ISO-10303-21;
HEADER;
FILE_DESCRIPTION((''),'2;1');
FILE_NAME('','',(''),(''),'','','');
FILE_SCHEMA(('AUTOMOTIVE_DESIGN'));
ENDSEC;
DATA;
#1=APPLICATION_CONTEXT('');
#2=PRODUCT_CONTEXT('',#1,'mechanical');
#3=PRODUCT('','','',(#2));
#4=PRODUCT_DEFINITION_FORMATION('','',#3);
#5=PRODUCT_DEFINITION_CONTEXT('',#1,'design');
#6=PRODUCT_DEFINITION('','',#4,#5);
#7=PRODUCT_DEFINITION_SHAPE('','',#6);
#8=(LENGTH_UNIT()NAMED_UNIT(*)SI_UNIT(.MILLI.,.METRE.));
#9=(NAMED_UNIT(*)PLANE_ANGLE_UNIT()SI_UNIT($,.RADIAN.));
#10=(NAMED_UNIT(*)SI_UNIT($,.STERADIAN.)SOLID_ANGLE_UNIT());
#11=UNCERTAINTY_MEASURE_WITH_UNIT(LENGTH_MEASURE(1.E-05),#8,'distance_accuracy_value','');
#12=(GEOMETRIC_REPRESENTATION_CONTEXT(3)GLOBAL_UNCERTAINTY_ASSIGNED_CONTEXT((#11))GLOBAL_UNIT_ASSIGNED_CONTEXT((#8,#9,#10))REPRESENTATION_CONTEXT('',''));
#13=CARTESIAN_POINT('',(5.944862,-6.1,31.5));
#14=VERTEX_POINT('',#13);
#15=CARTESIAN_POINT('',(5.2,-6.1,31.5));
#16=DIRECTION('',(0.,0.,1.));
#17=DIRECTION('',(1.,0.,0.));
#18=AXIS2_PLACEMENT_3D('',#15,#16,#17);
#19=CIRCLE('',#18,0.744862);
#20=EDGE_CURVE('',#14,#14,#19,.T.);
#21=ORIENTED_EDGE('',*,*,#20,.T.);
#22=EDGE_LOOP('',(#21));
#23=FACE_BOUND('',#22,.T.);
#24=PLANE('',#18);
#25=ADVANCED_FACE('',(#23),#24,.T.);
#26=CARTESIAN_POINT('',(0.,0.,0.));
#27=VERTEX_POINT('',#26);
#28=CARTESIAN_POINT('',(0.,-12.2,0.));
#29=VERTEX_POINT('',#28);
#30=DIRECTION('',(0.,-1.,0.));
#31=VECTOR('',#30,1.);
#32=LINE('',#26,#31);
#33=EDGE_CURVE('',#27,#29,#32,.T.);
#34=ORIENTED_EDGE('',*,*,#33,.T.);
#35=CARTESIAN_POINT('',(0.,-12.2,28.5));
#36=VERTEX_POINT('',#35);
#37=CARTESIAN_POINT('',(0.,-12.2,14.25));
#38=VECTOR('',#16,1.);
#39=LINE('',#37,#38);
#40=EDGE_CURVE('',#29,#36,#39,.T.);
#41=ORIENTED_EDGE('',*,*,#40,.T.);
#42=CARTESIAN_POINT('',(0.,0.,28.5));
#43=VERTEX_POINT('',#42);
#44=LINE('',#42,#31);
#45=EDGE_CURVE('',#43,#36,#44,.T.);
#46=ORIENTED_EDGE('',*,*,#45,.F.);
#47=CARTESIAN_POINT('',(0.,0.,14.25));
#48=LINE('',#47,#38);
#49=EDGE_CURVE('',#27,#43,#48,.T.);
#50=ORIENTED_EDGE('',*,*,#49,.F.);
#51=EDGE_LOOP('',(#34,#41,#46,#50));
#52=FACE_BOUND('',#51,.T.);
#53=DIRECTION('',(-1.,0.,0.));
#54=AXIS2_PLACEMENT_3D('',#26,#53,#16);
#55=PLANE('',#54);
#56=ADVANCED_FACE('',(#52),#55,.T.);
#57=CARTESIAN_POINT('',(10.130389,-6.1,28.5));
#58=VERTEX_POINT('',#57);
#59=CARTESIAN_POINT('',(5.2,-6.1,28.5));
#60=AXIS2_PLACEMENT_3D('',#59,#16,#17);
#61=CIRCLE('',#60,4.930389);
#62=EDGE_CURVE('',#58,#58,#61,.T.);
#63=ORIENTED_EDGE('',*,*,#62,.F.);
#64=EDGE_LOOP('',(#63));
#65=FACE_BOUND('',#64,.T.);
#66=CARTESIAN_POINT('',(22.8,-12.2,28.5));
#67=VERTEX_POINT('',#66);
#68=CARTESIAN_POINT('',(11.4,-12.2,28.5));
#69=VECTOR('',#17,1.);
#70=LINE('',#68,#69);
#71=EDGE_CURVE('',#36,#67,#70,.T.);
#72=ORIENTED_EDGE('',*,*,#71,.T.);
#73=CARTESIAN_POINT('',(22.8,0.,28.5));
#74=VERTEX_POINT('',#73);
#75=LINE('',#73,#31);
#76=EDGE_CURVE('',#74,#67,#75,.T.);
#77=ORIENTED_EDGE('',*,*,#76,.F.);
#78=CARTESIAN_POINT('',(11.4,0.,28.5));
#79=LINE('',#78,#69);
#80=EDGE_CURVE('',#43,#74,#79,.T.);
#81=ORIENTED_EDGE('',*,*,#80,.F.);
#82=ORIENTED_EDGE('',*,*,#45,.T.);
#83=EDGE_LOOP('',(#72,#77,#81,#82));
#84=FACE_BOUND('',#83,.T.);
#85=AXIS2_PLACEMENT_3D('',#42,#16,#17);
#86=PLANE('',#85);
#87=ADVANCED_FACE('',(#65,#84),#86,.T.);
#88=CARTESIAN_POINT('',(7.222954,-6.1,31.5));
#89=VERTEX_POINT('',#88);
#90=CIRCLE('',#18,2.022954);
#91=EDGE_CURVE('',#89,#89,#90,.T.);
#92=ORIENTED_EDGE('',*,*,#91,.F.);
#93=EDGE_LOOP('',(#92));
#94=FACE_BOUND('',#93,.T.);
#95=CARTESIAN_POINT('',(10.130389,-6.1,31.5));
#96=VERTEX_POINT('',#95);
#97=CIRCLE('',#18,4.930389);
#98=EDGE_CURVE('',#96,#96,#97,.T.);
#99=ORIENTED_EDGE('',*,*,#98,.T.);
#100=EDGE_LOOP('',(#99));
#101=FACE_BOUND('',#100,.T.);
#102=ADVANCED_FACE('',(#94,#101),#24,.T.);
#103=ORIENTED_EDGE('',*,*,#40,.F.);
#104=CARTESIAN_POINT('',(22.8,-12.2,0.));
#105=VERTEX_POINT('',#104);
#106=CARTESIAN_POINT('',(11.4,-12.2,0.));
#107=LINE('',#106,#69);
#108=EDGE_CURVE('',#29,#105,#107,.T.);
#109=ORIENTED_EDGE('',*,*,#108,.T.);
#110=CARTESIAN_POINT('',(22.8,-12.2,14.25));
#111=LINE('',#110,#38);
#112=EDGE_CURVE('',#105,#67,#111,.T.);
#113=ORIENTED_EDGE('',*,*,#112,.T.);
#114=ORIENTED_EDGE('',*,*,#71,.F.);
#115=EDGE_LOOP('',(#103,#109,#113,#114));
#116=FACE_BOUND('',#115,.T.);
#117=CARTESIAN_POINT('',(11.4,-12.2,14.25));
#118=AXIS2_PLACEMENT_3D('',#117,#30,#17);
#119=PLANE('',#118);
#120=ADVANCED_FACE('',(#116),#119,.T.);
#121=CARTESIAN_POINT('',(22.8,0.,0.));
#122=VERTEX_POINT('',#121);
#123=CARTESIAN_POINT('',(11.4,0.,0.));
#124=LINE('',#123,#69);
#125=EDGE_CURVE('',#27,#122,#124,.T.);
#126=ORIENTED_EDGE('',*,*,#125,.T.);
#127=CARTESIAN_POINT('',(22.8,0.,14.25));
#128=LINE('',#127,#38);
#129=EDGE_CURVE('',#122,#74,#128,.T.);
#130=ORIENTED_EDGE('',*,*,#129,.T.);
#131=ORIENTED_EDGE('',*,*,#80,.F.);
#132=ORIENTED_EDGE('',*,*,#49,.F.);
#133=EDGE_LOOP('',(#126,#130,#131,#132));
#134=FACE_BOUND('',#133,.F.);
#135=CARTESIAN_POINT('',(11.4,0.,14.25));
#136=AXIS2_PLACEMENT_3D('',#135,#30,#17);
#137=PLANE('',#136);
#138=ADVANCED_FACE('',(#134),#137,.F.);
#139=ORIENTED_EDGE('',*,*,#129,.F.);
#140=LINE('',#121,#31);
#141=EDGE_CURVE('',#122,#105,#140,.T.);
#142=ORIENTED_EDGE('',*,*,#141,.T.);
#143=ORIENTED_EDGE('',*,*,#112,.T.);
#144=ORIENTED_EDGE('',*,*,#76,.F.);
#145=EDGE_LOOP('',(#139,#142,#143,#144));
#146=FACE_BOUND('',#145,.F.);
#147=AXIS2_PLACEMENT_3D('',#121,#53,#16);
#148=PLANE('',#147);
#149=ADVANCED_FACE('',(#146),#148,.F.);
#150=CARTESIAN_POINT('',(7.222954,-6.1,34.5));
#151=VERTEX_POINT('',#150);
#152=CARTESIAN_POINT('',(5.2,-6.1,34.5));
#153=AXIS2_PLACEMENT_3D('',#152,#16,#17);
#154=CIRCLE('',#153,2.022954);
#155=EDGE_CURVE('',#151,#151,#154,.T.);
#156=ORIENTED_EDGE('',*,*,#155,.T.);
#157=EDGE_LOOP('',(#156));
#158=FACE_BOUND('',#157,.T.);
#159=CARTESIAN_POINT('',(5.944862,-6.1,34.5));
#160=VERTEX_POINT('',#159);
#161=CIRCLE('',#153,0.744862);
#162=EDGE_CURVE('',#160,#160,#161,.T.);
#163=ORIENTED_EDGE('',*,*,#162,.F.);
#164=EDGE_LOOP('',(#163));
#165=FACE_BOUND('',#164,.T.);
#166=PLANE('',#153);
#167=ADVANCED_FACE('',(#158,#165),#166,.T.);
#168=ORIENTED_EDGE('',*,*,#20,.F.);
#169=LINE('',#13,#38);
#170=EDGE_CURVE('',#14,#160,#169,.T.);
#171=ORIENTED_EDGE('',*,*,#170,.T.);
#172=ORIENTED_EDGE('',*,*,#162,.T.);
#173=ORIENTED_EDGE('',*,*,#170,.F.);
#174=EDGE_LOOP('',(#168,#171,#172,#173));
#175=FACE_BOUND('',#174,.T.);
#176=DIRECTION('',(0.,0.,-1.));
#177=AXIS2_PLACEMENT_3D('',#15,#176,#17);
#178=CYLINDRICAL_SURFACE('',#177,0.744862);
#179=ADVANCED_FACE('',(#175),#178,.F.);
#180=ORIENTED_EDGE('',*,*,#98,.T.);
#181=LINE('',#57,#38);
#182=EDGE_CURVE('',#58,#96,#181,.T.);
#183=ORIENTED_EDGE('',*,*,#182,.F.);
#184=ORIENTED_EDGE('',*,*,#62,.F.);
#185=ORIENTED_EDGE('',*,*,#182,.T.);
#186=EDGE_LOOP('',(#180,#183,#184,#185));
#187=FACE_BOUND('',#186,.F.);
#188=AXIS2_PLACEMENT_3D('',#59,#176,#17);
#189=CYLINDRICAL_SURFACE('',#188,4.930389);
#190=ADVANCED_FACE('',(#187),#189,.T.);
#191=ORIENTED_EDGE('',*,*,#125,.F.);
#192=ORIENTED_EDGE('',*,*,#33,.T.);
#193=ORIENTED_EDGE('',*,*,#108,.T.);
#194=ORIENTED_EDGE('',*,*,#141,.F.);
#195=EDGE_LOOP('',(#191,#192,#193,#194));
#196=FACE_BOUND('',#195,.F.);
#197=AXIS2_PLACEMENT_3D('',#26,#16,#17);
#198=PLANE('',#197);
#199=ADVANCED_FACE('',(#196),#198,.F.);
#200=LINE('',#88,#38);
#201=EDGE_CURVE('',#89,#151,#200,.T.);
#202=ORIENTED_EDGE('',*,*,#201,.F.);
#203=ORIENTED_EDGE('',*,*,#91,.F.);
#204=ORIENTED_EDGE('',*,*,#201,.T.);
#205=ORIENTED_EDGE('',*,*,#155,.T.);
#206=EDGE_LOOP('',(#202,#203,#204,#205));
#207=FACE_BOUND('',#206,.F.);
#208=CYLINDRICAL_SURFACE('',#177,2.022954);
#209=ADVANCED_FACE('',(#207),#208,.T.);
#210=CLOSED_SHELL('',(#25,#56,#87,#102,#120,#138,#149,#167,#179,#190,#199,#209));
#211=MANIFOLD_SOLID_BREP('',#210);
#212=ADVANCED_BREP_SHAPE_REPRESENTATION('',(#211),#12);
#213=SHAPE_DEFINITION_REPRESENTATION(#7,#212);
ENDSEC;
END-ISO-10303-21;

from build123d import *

# Parameters (mm, degrees)
F0_W     = 22.8
F0_H     = 28.5
F1_DEPTH = 12.2
F2_R     = 4.930389
F3_DEPTH = 3
F4_R     = 2.022954
F4_R_2   = 0.744862
F5_DEPTH = 3


with BuildPart() as f1:
    # F0 (on Front) → F1 (new body)
    with BuildSketch(Plane.XZ):
        with Locations((11.4, 14.25)):
            Rectangle(F0_W, F0_H)
    extrude(amount=F1_DEPTH)

    # F2 (on face) → F3 (join)
    with BuildSketch(Plane.XY.offset(28.5)):
        with Locations((5.2, -6.1)):
            Circle(F2_R)
    extrude(amount=F3_DEPTH)

    # F4 (on face) → F5 (join)
    with BuildSketch(Plane.XY.offset(31.5)):
        with Locations((5.2, -6.1)):
            Circle(F4_R)
        with Locations((5.2, -6.1)):
            Circle(F4_R_2, mode=Mode.SUBTRACT)
    extrude(amount=F5_DEPTH)


solid = f1.part
